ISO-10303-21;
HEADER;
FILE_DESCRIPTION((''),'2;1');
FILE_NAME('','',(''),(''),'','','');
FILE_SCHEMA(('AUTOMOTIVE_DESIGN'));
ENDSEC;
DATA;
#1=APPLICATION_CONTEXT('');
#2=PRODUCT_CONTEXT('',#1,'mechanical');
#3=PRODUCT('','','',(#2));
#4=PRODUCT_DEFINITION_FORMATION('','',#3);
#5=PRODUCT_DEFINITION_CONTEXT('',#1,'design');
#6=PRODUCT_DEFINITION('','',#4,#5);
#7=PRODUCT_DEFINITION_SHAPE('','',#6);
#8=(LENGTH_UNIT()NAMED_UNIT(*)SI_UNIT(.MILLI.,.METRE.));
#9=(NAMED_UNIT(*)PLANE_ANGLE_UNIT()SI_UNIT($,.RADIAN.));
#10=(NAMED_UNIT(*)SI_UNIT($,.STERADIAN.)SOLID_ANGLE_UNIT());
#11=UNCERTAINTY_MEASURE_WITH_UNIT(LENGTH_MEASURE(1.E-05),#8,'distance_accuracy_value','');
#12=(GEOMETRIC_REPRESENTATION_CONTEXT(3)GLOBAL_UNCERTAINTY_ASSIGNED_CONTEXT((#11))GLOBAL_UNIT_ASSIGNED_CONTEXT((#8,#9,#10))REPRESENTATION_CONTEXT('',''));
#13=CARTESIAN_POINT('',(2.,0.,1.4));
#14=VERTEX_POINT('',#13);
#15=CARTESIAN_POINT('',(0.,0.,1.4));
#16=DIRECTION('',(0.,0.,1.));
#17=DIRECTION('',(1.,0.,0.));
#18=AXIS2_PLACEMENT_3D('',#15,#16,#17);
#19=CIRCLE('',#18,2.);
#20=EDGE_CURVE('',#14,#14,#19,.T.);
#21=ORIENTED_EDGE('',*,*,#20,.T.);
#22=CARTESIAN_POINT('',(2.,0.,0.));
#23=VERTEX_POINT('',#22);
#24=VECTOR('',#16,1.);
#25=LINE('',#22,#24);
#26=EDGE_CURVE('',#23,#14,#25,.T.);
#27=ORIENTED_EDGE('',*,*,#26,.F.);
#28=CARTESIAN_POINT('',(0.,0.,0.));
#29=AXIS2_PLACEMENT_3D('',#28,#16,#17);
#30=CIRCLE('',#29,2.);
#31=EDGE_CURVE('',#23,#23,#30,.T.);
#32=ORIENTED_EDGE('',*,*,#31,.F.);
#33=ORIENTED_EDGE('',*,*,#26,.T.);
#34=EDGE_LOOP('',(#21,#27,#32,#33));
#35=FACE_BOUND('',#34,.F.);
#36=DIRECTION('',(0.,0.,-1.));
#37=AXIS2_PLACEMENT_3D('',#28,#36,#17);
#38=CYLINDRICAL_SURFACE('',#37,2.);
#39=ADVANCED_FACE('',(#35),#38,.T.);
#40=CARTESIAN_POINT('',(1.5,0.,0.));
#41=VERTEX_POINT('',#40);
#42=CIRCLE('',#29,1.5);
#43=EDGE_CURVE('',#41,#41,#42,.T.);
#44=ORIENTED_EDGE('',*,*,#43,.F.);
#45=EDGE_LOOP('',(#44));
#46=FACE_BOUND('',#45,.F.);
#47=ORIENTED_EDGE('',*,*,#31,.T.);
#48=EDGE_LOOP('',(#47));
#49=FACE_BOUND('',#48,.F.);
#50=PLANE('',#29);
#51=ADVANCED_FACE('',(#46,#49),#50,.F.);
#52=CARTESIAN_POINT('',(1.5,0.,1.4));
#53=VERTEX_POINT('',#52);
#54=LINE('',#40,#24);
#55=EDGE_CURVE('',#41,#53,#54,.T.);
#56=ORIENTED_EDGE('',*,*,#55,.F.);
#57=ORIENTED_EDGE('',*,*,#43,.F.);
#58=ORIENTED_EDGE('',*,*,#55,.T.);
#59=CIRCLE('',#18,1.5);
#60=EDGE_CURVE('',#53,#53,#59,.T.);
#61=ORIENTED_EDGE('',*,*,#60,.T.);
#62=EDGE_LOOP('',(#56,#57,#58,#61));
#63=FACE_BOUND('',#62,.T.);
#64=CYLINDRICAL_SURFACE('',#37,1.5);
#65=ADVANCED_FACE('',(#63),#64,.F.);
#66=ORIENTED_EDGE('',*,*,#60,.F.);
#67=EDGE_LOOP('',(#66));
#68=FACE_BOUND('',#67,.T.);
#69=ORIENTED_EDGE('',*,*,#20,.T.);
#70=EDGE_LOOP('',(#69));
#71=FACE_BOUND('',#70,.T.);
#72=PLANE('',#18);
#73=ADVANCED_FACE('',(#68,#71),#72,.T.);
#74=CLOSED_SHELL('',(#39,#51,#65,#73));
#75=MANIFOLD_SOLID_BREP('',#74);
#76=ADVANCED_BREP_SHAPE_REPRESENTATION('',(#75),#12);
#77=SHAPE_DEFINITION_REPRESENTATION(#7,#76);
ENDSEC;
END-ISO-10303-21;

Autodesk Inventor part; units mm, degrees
ref_plane "YZ Plane" through (0, 0, 0) normal (1, 0, 0) x (0, 1, 0)
ref_plane "XZ Plane" through (0, 0, 0) normal (0, 1, 0) x (-1, 0, 0)
ref_plane "XY Plane" through (0, 0, 0) normal (0, 0, 1) x (1, 0, 0)
sketch "Sketch1" plane through (0, 0, 0) normal (0, 0, 1) x (1, 0, 0)
  circle A0 centre (0, 0) radius 1.5
  circle A1 centre (0, 0) radius 2
  dimension "d2" = 3
  dimension "d3" = 4
extrude "Extrusion1" add sketch "Sketch1" along normal blind 1.4
properties part number "SPACER"
